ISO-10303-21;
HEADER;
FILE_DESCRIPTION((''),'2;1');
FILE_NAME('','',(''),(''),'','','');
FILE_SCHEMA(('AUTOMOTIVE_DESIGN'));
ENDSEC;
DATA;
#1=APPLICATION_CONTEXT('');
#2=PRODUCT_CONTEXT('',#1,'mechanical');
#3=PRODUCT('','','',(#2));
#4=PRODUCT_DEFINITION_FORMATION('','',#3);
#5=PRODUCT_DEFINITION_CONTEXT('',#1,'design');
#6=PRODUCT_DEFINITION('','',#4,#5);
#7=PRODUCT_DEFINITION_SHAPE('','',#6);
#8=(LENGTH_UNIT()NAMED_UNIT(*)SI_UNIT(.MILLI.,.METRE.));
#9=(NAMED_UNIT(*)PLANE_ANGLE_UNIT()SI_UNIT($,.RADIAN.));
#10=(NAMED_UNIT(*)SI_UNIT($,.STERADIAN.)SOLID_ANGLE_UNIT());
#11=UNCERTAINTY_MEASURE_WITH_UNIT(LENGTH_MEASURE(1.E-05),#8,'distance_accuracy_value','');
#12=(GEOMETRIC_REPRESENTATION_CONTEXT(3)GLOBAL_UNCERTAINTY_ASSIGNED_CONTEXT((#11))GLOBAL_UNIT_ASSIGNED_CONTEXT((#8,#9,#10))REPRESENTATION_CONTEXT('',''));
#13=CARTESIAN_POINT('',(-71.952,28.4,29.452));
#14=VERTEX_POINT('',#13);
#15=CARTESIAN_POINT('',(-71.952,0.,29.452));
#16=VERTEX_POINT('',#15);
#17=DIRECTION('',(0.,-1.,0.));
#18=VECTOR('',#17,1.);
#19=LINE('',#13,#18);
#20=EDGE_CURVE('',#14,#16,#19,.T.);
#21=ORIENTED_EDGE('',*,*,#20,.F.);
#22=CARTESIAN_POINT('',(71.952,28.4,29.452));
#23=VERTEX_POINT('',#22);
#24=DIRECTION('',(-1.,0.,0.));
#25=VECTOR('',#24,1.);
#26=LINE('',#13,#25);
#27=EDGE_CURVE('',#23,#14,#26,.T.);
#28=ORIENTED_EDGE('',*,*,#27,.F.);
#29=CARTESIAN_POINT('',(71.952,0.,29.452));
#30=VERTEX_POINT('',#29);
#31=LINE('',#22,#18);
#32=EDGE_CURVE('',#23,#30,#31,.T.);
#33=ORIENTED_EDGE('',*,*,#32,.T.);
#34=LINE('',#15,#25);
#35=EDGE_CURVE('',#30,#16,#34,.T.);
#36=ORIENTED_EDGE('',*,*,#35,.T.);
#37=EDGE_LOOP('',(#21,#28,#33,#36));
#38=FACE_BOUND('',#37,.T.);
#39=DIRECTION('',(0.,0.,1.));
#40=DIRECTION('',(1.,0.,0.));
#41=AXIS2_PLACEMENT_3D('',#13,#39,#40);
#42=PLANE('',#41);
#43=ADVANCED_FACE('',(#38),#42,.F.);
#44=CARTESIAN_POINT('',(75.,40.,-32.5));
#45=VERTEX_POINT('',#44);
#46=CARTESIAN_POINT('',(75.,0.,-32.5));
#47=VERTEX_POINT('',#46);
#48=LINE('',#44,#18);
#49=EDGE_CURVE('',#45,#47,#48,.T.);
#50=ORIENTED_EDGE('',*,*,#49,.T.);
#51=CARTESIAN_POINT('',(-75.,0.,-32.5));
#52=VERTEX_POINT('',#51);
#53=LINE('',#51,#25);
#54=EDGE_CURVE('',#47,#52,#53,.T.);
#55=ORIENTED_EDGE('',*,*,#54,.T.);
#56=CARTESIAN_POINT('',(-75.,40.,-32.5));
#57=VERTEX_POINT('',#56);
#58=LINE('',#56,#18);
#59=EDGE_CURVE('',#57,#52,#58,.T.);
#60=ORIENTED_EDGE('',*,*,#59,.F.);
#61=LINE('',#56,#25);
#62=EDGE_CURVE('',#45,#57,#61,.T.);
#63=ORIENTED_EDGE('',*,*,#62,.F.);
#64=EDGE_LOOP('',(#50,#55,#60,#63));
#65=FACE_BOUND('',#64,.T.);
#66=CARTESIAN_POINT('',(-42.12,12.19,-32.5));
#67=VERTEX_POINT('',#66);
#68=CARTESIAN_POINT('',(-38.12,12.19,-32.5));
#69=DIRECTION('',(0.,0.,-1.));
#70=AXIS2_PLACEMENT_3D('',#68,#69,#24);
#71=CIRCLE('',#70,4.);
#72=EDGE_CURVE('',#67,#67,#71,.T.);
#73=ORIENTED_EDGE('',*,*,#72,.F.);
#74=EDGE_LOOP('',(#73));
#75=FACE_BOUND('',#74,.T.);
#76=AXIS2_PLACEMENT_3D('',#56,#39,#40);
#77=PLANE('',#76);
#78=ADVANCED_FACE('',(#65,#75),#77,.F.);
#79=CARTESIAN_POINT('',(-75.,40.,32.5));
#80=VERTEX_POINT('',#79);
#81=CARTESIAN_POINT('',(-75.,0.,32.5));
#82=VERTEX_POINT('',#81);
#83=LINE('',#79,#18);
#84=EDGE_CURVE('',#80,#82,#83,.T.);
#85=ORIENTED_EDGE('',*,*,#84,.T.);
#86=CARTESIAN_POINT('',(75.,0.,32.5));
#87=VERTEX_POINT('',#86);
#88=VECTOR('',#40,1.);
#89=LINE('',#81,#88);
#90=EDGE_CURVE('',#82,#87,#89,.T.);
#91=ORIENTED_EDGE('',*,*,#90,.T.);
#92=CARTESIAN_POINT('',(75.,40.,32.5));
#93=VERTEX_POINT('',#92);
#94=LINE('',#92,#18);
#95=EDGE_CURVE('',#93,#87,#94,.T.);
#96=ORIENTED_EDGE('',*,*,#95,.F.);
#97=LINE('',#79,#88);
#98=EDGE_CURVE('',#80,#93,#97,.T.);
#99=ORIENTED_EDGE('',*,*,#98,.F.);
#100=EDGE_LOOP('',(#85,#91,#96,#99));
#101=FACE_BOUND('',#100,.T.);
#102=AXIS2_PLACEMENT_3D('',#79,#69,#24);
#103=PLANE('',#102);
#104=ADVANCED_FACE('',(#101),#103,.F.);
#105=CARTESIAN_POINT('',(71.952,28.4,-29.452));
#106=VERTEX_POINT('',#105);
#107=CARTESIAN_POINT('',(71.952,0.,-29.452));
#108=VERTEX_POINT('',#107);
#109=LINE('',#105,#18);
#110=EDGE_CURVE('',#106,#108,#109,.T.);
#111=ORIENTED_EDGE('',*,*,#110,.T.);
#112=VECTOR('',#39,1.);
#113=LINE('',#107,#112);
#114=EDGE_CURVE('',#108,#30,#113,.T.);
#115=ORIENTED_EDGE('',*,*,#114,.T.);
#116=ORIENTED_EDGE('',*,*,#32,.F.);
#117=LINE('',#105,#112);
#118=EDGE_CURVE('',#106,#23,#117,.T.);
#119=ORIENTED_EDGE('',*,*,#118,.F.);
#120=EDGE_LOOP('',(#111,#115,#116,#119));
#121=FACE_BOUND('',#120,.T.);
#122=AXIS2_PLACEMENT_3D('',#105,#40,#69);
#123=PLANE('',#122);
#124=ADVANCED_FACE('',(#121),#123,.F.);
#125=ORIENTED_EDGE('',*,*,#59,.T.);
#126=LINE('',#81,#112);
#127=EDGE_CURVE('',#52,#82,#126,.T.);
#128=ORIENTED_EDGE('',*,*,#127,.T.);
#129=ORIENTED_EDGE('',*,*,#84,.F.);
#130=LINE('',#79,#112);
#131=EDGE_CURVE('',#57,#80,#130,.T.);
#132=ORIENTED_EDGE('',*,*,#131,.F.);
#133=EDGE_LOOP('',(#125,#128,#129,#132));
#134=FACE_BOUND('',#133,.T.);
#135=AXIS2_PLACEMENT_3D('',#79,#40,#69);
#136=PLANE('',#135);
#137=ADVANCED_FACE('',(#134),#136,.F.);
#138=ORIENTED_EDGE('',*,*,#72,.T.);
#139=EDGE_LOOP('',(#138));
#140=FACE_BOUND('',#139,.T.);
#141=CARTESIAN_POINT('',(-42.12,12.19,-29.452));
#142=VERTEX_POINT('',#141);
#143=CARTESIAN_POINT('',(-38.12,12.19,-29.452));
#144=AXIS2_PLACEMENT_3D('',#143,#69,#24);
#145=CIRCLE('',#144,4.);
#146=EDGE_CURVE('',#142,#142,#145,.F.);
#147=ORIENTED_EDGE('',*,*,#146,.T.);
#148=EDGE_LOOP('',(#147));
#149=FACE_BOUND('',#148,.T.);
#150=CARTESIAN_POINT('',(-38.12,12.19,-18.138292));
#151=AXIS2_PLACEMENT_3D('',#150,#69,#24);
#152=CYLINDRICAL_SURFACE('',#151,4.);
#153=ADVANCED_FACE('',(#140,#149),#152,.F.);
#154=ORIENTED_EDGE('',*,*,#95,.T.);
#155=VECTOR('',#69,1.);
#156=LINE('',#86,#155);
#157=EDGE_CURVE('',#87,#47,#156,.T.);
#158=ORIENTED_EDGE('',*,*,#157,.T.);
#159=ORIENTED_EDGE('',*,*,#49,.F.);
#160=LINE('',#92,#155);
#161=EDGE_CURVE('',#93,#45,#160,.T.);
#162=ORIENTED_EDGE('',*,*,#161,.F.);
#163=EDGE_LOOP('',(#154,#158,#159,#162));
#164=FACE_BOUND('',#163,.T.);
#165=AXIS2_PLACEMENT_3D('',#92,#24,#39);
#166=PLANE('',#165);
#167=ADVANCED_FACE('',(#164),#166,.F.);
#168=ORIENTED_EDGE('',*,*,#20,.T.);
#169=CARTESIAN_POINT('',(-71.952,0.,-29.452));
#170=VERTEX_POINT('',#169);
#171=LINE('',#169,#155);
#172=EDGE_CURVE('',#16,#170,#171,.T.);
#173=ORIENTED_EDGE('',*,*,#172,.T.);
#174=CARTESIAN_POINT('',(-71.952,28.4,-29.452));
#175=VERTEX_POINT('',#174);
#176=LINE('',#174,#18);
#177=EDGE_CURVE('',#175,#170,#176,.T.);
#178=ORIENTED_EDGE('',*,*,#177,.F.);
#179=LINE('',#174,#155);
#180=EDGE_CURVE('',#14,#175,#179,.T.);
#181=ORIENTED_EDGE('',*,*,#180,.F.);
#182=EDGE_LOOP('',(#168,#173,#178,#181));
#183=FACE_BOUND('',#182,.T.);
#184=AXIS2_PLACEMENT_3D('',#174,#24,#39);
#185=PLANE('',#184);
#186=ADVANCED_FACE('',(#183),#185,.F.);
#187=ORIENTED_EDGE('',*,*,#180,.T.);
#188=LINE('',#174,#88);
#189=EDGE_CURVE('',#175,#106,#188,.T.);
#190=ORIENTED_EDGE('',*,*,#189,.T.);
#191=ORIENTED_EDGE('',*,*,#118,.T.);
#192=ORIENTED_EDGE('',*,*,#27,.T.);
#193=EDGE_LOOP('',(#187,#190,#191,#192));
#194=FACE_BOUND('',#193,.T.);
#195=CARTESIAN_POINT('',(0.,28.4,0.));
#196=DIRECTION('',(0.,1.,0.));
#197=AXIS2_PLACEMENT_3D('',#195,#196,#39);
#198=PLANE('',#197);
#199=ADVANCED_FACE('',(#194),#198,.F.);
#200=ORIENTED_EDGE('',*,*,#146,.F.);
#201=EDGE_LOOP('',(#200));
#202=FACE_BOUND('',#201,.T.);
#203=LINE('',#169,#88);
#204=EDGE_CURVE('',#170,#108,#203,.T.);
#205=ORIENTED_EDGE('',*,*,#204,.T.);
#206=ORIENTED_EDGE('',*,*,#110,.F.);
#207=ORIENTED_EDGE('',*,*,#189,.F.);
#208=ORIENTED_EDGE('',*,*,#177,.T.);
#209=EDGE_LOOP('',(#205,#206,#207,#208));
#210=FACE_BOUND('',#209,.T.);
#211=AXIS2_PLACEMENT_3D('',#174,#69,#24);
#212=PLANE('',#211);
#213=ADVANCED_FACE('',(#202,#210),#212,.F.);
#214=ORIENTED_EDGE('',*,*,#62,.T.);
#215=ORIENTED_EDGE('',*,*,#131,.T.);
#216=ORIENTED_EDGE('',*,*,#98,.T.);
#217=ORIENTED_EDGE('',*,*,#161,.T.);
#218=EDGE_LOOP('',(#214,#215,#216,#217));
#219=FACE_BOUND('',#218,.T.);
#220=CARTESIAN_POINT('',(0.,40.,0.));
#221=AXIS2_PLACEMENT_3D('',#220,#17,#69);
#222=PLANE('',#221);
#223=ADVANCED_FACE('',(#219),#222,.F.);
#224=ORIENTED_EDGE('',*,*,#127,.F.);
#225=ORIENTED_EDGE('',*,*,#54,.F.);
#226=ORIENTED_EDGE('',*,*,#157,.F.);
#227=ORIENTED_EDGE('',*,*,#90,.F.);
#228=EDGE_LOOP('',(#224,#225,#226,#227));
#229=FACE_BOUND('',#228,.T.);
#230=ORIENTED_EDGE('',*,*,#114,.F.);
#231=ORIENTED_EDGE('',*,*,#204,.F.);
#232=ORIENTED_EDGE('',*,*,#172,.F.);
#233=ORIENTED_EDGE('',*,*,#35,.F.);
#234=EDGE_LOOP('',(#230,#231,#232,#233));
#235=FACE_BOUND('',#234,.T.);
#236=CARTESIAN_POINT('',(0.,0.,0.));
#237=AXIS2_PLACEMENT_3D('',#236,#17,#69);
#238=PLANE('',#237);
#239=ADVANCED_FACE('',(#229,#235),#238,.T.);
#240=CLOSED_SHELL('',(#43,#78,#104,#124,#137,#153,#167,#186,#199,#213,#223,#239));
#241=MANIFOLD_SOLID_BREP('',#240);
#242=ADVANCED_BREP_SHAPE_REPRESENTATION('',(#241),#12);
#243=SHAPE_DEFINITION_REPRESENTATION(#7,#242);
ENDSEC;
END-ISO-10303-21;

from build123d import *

# Parameters (mm, degrees)
SKETCH1_W           = 150
SKETCH1_H           = 65
BOSS_EXTRUDE1_DEPTH = 40
SKETCH2_W           = 143.904
SKETCH2_H           = 58.904
CUT_EXTRUDE1_DEPTH  = 28.4
SKETCH3_R           = 4
CUT_EXTRUDE2_DEPTH  = 3.048


with BuildPart() as part:
    # Sketch1 → Boss-Extrude1 (new body)
    with BuildSketch(Plane(origin=(0, 0, 0), x_dir=(1, 0, 0), z_dir=(0, 1, 0))):
        Rectangle(SKETCH1_W, SKETCH1_H)
    extrude(amount=BOSS_EXTRUDE1_DEPTH)

    # Sketch2 → Cut-Extrude1 (cut)
    with BuildSketch(Plane.XZ):
        Rectangle(SKETCH2_W, SKETCH2_H)
    extrude(amount=-CUT_EXTRUDE1_DEPTH, mode=Mode.SUBTRACT)

    # Sketch3 → Cut-Extrude2 (cut)
    with BuildSketch(Plane(origin=(0, 0, -32.5), x_dir=(-1, 0, 0), z_dir=(0, 0, -1))):
        with Locations((38.12, 12.19)):
            Circle(SKETCH3_R)
    extrude(amount=-CUT_EXTRUDE2_DEPTH, mode=Mode.SUBTRACT)


solid = part.part
